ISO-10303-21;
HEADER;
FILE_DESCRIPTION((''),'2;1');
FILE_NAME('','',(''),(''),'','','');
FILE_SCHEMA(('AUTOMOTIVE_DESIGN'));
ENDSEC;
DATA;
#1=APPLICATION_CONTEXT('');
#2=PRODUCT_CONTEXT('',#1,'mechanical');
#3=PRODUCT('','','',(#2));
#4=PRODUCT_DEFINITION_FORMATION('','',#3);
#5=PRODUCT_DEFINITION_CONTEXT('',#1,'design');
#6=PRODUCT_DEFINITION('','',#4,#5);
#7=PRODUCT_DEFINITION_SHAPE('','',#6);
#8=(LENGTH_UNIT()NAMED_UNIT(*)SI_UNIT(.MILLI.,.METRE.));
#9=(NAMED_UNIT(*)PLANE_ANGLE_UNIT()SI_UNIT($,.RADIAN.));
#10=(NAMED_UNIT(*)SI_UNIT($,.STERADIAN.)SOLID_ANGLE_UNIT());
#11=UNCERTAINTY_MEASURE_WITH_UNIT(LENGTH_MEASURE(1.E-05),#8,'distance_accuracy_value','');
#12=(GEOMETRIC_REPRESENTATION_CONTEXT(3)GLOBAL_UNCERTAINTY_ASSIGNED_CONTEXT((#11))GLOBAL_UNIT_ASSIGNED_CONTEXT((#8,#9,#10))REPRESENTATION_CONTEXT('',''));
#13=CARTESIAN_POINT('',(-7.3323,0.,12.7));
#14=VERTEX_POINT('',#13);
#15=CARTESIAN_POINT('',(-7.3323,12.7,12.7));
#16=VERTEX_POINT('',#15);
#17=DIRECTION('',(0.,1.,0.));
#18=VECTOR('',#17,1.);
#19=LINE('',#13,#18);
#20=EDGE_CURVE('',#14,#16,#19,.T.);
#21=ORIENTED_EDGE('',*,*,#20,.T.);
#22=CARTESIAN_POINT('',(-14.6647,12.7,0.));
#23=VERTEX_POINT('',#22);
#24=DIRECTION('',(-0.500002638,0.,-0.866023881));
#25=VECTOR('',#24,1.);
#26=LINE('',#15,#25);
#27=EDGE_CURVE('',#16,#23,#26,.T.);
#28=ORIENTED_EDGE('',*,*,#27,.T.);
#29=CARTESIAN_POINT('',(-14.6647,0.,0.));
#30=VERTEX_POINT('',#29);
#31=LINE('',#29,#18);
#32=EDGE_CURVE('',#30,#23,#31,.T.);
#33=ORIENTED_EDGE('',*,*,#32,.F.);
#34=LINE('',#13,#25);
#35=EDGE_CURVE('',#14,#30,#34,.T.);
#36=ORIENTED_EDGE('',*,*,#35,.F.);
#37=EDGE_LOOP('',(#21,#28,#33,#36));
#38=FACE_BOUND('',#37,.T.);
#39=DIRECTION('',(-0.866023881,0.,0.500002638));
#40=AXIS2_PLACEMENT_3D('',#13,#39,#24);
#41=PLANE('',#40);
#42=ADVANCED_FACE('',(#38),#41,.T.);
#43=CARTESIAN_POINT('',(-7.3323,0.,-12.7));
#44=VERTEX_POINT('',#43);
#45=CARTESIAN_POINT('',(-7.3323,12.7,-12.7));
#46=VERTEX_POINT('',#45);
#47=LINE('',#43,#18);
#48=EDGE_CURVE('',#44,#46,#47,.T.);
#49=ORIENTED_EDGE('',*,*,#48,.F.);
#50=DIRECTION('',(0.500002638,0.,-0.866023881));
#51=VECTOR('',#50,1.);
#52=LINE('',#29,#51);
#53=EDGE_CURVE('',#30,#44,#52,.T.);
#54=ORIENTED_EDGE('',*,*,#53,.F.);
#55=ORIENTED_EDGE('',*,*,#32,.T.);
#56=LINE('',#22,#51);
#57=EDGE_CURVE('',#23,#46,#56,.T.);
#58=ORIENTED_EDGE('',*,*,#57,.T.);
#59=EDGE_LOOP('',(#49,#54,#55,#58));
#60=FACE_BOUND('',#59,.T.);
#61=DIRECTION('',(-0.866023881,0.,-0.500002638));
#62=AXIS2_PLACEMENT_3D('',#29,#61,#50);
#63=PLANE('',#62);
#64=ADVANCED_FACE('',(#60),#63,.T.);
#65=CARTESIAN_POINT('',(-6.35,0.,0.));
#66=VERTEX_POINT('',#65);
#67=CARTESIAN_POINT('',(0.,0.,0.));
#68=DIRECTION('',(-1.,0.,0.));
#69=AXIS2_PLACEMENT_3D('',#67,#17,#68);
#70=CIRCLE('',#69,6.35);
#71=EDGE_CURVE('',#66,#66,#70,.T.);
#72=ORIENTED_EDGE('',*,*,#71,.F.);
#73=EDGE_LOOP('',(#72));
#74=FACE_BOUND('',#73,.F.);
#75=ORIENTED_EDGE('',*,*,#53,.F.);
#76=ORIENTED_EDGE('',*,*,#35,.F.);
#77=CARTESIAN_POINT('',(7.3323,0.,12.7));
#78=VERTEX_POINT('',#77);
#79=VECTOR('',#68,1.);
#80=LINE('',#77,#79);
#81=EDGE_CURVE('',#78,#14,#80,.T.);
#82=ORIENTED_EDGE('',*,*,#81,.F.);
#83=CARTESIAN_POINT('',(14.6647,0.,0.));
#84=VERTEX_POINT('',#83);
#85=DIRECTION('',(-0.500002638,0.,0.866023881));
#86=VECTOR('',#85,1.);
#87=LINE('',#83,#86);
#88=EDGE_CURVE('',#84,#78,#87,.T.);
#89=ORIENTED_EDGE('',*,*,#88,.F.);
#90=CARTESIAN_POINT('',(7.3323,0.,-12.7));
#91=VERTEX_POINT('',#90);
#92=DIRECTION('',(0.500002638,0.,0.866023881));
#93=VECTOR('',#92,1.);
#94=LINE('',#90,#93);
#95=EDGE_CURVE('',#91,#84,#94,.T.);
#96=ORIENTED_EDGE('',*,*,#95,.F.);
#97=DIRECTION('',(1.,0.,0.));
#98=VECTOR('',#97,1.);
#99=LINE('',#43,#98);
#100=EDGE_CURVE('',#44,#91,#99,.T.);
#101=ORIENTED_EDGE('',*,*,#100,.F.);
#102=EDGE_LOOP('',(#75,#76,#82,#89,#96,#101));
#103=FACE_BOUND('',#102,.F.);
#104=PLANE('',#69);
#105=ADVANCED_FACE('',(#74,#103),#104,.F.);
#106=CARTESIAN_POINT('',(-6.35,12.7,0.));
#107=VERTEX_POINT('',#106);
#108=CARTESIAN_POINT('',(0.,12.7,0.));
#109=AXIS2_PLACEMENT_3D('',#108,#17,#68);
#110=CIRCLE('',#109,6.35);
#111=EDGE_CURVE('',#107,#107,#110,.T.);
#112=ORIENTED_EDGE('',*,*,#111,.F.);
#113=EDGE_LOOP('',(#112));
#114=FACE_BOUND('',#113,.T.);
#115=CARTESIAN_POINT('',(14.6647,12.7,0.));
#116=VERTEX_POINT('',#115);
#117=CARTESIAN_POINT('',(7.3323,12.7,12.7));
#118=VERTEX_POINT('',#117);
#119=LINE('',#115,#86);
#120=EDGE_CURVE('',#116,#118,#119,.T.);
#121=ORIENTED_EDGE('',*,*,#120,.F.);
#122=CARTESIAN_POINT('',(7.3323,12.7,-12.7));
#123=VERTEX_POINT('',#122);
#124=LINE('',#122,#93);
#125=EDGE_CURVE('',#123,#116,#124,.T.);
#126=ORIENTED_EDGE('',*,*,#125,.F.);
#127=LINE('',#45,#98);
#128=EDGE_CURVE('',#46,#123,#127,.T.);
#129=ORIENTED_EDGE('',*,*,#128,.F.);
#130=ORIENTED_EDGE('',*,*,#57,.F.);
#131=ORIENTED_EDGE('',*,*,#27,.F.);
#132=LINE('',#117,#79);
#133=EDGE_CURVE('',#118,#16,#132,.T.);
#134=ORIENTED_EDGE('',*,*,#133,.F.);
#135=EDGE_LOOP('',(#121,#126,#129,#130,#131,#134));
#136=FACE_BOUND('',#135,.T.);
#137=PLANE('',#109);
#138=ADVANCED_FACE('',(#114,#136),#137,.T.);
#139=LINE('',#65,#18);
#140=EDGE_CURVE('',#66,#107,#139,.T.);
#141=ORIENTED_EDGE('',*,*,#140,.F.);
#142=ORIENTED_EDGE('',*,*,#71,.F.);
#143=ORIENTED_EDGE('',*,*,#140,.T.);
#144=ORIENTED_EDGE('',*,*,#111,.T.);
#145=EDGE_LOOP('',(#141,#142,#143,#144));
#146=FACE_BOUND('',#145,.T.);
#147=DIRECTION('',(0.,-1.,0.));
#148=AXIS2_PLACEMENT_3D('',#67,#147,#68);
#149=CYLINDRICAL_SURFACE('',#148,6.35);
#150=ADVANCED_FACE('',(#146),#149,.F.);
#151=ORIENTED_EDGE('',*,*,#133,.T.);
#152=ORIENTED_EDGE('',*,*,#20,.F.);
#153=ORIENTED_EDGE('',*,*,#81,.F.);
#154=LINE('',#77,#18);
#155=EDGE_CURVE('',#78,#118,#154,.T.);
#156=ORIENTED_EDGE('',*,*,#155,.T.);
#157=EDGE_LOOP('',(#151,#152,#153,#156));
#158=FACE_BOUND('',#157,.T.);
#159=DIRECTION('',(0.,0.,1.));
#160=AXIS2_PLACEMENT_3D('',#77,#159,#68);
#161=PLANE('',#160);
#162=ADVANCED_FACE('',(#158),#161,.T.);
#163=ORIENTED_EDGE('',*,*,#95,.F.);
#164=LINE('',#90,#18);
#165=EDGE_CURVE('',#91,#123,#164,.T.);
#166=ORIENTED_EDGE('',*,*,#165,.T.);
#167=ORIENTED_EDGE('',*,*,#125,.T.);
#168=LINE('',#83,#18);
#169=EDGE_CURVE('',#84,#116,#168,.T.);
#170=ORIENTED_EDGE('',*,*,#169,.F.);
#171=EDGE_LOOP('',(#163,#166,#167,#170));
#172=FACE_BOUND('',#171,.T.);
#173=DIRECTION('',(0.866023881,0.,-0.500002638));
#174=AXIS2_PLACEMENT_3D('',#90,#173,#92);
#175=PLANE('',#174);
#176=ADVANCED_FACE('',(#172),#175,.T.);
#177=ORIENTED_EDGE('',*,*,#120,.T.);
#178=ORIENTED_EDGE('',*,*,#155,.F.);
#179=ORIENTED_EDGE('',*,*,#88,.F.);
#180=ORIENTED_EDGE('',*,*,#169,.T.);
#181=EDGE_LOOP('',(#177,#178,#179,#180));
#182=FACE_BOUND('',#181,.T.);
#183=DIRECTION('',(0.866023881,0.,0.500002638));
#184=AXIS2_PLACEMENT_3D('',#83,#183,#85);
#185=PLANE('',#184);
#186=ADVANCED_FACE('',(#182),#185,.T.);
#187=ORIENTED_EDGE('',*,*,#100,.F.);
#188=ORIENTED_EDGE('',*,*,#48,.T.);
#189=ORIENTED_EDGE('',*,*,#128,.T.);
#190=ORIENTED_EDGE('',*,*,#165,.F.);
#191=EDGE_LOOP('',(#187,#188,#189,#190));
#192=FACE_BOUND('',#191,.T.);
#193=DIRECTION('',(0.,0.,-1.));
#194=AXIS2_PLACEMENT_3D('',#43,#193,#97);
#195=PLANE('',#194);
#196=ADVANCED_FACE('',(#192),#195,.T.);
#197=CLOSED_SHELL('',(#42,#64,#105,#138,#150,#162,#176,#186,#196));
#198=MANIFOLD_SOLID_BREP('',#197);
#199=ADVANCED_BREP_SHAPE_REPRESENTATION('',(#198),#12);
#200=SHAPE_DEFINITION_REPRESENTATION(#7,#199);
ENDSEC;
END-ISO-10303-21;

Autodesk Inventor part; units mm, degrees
ref_plane "YZ Plane" through (0, 0, 0) normal (1, 0, 0) x (0, 1, 0)
ref_plane "XZ Plane" through (0, 0, 0) normal (0, 1, 0) x (-1, 0, 0)
ref_plane "XY Plane" through (0, 0, 0) normal (0, 0, 1) x (1, 0, 0)
sketch "Sketch1" plane through (0, 0, 0) normal (0, 1, 0) x (-1, 0, 0)
  line L0 (-14.6647, 0) -> (-7.3323, 12.7)
  line L1 (-7.3323, 12.7) -> (7.3323, 12.7)
  line L2 (7.3323, 12.7) -> (14.6647, 0)
  line L3 (14.6647, 0) -> (7.3323, -12.7)
  line L4 (7.3323, -12.7) -> (-7.3323, -12.7)
  line L5 (-7.3323, -12.7) -> (-14.6647, 0)
  circle A0 centre (0, 0) radius 6.35
  dimension "d0" = 25.4
  dimension "d1" = 12.7
extrude "Extrusion1" add sketch "Sketch1" along normal blind 12.7
sketch "Sketch2" plane through (-7.3323, 0, 12.7) normal (0, 0, 1) x (1, 0, 0)
  point P0 (7.3323, 0)
properties part number "printCalibration"
